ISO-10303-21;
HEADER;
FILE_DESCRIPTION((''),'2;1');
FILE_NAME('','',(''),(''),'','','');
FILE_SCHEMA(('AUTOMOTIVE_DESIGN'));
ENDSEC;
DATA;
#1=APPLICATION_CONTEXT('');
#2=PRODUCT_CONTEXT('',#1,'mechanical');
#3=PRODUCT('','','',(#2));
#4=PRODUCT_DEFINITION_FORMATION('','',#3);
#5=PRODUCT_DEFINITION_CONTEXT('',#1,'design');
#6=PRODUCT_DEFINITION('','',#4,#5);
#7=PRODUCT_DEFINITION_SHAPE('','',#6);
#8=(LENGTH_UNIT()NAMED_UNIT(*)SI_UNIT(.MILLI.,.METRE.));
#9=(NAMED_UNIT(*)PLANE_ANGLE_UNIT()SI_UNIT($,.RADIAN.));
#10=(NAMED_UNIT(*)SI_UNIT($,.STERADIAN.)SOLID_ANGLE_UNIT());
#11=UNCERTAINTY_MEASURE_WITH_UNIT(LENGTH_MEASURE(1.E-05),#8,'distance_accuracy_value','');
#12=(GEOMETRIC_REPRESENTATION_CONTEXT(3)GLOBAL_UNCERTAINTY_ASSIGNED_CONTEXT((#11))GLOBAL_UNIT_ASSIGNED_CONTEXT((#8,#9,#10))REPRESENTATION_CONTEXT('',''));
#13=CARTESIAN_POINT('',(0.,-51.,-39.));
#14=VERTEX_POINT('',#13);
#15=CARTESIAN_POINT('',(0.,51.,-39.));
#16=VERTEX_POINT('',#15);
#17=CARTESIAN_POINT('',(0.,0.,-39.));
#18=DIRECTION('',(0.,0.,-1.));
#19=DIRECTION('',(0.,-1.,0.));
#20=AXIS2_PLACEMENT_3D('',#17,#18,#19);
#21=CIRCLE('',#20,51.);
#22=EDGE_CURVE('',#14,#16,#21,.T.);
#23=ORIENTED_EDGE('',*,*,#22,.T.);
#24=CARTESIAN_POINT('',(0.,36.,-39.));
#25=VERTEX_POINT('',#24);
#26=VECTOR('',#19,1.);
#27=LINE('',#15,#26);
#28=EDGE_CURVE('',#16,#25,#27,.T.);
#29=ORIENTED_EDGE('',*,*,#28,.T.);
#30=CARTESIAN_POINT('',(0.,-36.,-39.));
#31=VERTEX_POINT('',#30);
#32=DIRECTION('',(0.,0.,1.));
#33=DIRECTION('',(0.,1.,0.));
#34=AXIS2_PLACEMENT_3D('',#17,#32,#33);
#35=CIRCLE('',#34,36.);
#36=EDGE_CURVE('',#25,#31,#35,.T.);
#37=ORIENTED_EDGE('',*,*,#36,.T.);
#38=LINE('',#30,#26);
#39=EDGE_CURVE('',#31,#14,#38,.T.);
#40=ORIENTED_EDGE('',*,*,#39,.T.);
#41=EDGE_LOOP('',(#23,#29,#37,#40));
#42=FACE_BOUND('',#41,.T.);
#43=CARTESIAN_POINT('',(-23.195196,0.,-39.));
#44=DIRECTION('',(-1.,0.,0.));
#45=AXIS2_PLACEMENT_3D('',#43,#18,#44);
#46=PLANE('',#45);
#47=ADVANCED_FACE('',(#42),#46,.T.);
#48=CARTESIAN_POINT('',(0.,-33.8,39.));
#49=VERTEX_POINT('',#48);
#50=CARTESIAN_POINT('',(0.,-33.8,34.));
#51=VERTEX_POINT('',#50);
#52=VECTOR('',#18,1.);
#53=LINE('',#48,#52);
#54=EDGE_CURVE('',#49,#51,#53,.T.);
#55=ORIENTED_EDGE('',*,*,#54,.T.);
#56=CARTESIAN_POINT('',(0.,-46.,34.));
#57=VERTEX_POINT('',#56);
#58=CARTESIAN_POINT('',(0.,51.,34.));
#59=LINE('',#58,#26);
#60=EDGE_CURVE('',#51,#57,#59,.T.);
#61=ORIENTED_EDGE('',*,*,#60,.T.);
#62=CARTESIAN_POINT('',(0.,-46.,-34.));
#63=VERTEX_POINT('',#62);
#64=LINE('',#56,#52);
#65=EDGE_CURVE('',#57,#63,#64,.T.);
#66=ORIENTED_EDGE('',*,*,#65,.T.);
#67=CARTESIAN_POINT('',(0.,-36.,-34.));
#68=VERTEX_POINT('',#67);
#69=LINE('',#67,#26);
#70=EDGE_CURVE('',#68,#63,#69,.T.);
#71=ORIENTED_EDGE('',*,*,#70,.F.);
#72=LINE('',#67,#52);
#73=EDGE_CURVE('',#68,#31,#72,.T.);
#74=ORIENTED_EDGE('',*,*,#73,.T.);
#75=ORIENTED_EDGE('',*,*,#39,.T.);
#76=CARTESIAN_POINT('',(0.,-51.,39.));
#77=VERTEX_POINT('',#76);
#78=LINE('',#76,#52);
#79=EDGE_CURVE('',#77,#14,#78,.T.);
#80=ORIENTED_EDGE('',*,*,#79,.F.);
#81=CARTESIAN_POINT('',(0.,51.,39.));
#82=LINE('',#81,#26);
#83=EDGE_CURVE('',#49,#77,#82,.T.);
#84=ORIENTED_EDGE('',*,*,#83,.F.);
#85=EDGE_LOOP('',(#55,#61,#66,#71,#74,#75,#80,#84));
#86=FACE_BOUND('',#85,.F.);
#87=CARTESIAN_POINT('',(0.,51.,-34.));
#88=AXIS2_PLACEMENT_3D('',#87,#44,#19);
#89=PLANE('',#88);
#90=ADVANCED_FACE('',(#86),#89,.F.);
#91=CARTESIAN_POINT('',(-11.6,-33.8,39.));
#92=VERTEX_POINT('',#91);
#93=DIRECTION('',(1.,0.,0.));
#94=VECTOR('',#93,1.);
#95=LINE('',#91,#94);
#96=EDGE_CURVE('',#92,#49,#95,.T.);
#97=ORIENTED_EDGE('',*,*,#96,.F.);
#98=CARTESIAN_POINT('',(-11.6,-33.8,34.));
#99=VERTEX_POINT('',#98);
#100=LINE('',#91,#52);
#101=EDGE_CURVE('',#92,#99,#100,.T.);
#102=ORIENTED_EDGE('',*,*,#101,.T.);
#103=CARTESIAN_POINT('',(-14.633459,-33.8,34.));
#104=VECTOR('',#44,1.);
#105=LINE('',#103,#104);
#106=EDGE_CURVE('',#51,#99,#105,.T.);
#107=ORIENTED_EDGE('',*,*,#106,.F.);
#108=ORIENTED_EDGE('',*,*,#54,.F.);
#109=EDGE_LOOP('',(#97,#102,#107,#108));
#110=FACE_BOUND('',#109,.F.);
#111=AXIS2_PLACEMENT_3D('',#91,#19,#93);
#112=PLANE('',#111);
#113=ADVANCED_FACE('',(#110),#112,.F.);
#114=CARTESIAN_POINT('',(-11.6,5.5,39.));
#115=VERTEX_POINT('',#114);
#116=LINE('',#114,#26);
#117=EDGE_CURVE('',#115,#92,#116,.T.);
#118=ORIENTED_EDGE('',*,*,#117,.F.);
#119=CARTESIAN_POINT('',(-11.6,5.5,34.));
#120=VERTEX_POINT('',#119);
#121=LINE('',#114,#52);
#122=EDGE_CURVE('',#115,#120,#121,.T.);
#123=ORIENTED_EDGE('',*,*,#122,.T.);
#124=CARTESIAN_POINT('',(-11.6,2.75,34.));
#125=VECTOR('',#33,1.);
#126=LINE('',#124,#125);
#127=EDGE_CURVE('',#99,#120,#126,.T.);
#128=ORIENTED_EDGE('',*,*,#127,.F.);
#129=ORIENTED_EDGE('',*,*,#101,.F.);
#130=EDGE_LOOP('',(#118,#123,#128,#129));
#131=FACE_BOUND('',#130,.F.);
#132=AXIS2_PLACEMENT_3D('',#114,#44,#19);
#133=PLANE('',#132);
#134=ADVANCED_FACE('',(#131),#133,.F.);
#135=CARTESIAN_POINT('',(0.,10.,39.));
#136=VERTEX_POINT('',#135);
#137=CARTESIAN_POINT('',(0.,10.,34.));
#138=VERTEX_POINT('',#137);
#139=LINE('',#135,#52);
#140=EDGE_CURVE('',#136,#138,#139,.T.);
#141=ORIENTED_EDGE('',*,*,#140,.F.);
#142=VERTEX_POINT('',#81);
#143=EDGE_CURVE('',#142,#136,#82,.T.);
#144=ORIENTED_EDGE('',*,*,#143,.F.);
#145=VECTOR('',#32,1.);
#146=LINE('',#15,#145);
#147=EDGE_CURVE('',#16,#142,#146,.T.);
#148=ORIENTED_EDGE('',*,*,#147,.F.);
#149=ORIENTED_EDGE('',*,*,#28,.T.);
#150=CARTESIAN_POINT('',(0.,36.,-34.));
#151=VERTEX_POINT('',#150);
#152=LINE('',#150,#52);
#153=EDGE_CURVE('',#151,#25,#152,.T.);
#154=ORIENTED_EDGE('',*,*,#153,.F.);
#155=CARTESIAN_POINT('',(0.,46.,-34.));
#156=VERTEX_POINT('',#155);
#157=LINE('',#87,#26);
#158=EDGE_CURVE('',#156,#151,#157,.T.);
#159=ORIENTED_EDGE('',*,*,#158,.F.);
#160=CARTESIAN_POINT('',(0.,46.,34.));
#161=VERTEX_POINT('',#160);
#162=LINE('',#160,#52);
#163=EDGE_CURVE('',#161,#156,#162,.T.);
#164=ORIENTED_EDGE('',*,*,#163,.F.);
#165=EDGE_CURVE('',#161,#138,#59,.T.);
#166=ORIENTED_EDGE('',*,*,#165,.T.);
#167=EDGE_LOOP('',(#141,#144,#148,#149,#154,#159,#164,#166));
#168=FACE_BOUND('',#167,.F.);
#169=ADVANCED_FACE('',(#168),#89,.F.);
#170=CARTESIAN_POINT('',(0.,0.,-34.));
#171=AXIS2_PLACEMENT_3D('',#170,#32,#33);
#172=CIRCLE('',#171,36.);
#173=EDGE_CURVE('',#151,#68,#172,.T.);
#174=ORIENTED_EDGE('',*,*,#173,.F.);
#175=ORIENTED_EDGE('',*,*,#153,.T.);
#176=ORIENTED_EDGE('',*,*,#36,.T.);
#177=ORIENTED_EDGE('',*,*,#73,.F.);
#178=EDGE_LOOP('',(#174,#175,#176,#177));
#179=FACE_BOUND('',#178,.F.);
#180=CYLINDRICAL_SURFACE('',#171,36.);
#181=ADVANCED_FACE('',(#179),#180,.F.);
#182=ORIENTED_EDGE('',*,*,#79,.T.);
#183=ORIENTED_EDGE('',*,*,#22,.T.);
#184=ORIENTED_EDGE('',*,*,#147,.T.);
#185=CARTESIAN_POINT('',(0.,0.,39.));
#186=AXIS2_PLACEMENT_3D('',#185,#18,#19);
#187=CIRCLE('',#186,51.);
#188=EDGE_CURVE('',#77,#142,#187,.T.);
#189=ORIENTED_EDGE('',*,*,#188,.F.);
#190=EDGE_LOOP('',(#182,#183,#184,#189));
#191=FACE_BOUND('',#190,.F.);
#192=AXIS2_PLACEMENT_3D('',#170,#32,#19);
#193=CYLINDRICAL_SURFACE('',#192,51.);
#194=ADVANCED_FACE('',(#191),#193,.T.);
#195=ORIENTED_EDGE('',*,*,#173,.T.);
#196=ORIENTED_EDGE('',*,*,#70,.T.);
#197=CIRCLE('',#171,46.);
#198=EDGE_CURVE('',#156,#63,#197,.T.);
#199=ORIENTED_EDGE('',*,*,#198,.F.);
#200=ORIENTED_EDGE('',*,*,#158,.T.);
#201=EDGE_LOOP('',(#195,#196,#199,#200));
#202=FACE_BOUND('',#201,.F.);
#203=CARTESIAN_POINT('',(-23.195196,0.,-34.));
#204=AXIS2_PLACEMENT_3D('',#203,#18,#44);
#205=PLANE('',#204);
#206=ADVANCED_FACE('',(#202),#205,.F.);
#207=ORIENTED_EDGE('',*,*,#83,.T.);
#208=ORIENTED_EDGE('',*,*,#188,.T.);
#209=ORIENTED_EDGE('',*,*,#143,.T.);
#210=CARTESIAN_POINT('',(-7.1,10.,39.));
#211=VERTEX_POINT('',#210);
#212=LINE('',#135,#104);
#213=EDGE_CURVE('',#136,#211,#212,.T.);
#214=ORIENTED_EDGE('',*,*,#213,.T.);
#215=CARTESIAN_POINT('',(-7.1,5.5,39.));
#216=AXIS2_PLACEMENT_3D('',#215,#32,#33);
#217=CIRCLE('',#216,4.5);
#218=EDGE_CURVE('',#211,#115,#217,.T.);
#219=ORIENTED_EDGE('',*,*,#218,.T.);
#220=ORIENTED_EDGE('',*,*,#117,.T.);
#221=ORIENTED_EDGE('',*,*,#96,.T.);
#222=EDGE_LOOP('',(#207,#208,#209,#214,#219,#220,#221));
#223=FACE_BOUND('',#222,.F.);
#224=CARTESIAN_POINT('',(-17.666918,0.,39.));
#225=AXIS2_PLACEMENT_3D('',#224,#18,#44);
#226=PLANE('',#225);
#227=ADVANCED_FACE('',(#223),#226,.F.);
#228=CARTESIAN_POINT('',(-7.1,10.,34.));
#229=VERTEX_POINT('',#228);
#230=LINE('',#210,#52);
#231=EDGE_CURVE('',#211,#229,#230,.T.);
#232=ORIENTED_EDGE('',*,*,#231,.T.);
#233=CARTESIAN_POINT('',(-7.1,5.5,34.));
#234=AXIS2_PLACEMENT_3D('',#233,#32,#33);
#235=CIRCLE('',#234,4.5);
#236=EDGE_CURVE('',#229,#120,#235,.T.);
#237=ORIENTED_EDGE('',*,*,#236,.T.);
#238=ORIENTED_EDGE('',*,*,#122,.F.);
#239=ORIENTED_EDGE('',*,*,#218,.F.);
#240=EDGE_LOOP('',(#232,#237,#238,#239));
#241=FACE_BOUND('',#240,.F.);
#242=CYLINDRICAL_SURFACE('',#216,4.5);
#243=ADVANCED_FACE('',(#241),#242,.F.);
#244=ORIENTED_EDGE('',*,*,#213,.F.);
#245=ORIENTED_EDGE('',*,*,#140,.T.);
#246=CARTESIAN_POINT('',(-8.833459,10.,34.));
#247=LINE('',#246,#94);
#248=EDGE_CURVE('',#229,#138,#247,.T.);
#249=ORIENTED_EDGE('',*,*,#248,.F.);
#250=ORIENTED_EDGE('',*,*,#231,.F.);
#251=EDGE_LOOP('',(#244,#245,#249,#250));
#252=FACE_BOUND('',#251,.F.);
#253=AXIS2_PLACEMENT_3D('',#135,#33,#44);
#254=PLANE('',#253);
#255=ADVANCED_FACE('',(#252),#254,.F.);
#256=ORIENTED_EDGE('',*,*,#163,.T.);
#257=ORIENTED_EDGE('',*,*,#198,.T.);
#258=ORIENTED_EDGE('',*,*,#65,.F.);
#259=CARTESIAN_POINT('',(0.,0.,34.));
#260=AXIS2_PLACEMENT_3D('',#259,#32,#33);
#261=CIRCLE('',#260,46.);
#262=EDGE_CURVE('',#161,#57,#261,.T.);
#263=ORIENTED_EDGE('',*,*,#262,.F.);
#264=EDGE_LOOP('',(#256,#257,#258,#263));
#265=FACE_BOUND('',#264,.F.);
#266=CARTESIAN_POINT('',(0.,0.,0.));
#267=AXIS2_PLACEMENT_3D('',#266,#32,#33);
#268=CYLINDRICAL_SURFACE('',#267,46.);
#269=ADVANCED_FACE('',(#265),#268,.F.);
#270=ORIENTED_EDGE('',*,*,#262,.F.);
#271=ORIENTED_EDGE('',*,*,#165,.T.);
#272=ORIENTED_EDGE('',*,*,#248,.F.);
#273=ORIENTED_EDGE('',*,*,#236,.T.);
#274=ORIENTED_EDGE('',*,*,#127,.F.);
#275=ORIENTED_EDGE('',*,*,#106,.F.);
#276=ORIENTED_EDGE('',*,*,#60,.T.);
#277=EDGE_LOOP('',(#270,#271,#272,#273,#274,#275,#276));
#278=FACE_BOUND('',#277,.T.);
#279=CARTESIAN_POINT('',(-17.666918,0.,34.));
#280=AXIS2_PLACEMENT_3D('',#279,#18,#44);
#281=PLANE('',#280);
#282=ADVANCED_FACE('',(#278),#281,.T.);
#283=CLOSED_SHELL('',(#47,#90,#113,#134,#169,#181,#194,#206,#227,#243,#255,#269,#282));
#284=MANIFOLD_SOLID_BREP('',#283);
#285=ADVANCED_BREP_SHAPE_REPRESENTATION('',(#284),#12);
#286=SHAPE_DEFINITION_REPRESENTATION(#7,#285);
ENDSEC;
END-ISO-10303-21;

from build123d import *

# Parameters (mm, degrees)
BOSS_EXTRU_1_DEPTH      = 34
BOSS_EXTRU_2_DEPTH      = 5
BOSS_EXTRU_3_DEPTH      = 5
ENL_V_MAT_EXTRU_1_DEPTH = 10


with BuildPart() as part:
    # Esquisse1 → Boss.-Extru.1 (new body, symmetric)
    with BuildSketch(Plane.XY):
        with BuildLine():
            Line((0, 51), (0, 46))
            ThreePointArc((0, 46), (-46, 0), (0, -46))
            Line((0, -46), (0, -51))
            ThreePointArc((0, -51), (-51, 0), (0, 51))
        make_face()
    extrude(amount=BOSS_EXTRU_1_DEPTH, both=True)

    # Esquisse2 → Boss.-Extru.2 (add)
    with BuildSketch(Plane.XY.offset(34)):
        with BuildLine():
            Line((0, 51), (0, -51))
            ThreePointArc((0, -51), (-51, 0), (0, 51))
        make_face()
    extrude(amount=BOSS_EXTRU_2_DEPTH)

    # Esquisse3 → Boss.-Extru.3 (add)
    with BuildSketch(Plane(origin=(0, 0, -34), x_dir=(-1, 0, 0), z_dir=(0, 0, -1))):
        with BuildLine():
            Line((0, 51), (0, 36))
            ThreePointArc((0, 36), (36, 0), (0, -36))
            Line((0, -36), (0, -51))
            ThreePointArc((0, -51), (51, 0), (0, 51))
        make_face()
    extrude(amount=BOSS_EXTRU_3_DEPTH)

    # Esquisse4 → Enlèv. mat.-Extru.1 (cut)
    with BuildSketch(Plane.XY.offset(39)):
        with BuildLine():
            Line((-11.59999996, 5.499999956), (-11.59999996, -2))
            Line((-11.59999996, -2), (-0.788986692, -2))
            ThreePointArc((-0.788986692, -2), (-2.112167134, 0.40155946), (0, 2.15))
            Line((0, 2.15), (0, 10.000000044))
            Line((0, 10.000000044), (-7.099999871, 10.000000044))
            ThreePointArc((-7.099999871, 10.000000044), (-10.281980449, 8.681980534), (-11.59999996, 5.499999956))
        make_face()
        with BuildLine():
            ThreePointArc((0, 2.15), (-2.112167134, 0.40155946), (-0.788986692, -2))
            Line((-0.788986692, -2), (0, -2))
            Line((0, -2), (0, 2.15))
        make_face()
        with BuildLine():
            Line((0, -2), (-0.788986692, -2))
            ThreePointArc((-0.788986692, -2), (-0.40155946, -2.112167134), (0, -2.15))
            Line((0, -2.15), (0, -2))
        make_face()
        with BuildLine():
            Line((0, 2.15), (0, -2))
            Line((0, -2), (0.788986692, -2))
            ThreePointArc((0.788986692, -2), (1.77747312, -1.209582286), (2.15, 0))
            ThreePointArc((2.15, 0), (1.52027958, 1.52027958), (0, 2.15))
        make_face()
        with BuildLine():
            Line((0.788986692, -2), (0, -2))
            Line((0, -2), (0, -2.15))
            ThreePointArc((0, -2.15), (0.40155946, -2.112167134), (0.788986692, -2))
        make_face()
        with BuildLine():
            Line((-0.788986692, -2), (-11.59999996, -2))
            Line((-11.59999996, -2), (-11.59999996, -33.8))
            Line((-11.59999996, -33.8), (0, -33.8))
            Line((0, -33.8), (0, -2.15))
            ThreePointArc((0, -2.15), (-0.40155946, -2.112167134), (-0.788986692, -2))
        make_face()
    extrude(amount=-ENL_V_MAT_EXTRU_1_DEPTH, mode=Mode.SUBTRACT)


solid = part.part
